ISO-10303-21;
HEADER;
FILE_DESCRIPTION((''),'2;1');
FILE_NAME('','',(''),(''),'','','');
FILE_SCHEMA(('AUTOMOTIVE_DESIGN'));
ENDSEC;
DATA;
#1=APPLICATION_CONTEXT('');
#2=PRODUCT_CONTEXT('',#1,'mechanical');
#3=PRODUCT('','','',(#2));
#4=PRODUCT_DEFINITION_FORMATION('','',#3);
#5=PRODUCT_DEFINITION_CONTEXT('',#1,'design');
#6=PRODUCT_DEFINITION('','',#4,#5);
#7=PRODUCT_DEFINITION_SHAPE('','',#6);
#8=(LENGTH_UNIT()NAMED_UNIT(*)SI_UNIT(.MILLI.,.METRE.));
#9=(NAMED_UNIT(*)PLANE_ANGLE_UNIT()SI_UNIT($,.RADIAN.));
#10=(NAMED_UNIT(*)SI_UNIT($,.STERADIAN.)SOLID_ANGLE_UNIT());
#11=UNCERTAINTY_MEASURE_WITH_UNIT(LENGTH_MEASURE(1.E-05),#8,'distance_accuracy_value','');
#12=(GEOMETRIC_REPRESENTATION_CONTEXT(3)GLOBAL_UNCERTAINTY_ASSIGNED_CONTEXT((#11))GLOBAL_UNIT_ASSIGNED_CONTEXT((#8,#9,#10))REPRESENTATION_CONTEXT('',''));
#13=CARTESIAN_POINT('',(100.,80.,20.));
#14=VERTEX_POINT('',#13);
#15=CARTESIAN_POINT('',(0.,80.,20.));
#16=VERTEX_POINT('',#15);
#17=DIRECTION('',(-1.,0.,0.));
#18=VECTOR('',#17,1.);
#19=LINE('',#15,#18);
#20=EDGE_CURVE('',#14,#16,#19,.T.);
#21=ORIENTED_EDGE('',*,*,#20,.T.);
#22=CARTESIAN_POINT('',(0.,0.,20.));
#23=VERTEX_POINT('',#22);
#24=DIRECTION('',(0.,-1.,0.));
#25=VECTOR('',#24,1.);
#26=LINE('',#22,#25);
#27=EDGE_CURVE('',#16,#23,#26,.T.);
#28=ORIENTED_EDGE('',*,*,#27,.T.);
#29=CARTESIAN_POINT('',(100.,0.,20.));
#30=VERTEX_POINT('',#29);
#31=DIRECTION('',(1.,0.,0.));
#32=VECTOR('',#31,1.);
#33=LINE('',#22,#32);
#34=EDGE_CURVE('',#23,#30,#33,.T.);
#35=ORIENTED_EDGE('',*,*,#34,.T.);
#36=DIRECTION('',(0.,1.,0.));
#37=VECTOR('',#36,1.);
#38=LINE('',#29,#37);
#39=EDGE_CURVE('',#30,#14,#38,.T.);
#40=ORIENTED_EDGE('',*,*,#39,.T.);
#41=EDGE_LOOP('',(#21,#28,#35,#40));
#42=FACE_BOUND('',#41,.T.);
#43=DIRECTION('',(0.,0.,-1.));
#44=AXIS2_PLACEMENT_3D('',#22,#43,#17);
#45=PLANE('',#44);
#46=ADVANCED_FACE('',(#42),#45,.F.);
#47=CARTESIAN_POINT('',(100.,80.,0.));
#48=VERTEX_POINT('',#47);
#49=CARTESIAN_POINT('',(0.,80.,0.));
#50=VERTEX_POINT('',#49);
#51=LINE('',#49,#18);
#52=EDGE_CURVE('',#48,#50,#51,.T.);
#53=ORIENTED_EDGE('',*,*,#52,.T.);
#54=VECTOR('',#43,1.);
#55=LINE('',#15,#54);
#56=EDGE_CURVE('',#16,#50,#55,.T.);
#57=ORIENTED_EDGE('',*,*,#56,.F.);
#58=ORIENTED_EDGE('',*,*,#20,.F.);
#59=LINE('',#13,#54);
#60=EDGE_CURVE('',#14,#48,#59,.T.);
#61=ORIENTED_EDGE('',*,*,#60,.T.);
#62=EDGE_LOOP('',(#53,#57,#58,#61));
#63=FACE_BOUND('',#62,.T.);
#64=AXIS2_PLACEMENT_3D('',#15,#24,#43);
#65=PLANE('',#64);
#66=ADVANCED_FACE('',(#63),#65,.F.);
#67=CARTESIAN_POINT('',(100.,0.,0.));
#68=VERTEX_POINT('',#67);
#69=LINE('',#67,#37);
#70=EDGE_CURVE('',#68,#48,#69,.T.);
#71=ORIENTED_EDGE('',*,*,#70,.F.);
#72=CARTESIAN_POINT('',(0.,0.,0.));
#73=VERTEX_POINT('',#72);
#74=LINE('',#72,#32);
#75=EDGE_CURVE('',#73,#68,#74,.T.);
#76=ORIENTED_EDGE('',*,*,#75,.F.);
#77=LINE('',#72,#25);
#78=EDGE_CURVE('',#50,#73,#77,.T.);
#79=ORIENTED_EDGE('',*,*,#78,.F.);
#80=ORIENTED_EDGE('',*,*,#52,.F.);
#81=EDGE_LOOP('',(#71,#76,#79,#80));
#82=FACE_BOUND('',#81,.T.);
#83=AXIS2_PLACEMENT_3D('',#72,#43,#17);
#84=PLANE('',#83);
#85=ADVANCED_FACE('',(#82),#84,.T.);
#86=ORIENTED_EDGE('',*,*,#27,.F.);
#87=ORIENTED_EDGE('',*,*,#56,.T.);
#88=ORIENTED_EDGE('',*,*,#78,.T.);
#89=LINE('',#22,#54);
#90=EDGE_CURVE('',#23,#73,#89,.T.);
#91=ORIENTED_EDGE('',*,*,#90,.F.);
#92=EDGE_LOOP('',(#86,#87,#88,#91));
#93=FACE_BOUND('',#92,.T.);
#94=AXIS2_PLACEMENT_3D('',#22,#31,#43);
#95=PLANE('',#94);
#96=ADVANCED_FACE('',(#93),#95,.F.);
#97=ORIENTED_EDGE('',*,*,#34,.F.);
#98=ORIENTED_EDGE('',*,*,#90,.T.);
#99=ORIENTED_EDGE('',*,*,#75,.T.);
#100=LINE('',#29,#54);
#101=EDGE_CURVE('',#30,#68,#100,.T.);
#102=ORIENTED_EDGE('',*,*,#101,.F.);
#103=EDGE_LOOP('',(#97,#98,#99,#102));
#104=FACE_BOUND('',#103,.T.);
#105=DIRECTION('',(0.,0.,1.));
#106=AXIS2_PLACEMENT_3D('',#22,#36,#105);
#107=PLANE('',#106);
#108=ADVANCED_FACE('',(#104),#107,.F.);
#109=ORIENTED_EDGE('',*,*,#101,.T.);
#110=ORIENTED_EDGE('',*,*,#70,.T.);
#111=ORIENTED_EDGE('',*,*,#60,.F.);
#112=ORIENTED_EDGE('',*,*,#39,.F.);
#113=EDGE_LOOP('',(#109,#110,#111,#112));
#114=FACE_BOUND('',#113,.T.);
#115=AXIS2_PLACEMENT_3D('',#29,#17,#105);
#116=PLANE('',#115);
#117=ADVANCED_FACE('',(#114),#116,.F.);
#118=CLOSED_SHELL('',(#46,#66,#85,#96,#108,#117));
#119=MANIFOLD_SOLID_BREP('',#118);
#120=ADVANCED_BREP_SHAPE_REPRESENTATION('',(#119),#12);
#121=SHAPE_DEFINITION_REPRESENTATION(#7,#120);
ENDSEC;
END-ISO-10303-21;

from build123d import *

# Parameters (mm, degrees)
SKETCH_1_W      = 100
SKETCH_1_H      = 80
EXTRUDE_1_DEPTH = 20


with BuildPart() as part:
    # 草图1 → 凸台-拉伸1 (new body)
    with BuildSketch(Plane.XY):
        with Locations((50, 40)):
            Rectangle(SKETCH_1_W, SKETCH_1_H)
    extrude(amount=EXTRUDE_1_DEPTH)


solid = part.part
